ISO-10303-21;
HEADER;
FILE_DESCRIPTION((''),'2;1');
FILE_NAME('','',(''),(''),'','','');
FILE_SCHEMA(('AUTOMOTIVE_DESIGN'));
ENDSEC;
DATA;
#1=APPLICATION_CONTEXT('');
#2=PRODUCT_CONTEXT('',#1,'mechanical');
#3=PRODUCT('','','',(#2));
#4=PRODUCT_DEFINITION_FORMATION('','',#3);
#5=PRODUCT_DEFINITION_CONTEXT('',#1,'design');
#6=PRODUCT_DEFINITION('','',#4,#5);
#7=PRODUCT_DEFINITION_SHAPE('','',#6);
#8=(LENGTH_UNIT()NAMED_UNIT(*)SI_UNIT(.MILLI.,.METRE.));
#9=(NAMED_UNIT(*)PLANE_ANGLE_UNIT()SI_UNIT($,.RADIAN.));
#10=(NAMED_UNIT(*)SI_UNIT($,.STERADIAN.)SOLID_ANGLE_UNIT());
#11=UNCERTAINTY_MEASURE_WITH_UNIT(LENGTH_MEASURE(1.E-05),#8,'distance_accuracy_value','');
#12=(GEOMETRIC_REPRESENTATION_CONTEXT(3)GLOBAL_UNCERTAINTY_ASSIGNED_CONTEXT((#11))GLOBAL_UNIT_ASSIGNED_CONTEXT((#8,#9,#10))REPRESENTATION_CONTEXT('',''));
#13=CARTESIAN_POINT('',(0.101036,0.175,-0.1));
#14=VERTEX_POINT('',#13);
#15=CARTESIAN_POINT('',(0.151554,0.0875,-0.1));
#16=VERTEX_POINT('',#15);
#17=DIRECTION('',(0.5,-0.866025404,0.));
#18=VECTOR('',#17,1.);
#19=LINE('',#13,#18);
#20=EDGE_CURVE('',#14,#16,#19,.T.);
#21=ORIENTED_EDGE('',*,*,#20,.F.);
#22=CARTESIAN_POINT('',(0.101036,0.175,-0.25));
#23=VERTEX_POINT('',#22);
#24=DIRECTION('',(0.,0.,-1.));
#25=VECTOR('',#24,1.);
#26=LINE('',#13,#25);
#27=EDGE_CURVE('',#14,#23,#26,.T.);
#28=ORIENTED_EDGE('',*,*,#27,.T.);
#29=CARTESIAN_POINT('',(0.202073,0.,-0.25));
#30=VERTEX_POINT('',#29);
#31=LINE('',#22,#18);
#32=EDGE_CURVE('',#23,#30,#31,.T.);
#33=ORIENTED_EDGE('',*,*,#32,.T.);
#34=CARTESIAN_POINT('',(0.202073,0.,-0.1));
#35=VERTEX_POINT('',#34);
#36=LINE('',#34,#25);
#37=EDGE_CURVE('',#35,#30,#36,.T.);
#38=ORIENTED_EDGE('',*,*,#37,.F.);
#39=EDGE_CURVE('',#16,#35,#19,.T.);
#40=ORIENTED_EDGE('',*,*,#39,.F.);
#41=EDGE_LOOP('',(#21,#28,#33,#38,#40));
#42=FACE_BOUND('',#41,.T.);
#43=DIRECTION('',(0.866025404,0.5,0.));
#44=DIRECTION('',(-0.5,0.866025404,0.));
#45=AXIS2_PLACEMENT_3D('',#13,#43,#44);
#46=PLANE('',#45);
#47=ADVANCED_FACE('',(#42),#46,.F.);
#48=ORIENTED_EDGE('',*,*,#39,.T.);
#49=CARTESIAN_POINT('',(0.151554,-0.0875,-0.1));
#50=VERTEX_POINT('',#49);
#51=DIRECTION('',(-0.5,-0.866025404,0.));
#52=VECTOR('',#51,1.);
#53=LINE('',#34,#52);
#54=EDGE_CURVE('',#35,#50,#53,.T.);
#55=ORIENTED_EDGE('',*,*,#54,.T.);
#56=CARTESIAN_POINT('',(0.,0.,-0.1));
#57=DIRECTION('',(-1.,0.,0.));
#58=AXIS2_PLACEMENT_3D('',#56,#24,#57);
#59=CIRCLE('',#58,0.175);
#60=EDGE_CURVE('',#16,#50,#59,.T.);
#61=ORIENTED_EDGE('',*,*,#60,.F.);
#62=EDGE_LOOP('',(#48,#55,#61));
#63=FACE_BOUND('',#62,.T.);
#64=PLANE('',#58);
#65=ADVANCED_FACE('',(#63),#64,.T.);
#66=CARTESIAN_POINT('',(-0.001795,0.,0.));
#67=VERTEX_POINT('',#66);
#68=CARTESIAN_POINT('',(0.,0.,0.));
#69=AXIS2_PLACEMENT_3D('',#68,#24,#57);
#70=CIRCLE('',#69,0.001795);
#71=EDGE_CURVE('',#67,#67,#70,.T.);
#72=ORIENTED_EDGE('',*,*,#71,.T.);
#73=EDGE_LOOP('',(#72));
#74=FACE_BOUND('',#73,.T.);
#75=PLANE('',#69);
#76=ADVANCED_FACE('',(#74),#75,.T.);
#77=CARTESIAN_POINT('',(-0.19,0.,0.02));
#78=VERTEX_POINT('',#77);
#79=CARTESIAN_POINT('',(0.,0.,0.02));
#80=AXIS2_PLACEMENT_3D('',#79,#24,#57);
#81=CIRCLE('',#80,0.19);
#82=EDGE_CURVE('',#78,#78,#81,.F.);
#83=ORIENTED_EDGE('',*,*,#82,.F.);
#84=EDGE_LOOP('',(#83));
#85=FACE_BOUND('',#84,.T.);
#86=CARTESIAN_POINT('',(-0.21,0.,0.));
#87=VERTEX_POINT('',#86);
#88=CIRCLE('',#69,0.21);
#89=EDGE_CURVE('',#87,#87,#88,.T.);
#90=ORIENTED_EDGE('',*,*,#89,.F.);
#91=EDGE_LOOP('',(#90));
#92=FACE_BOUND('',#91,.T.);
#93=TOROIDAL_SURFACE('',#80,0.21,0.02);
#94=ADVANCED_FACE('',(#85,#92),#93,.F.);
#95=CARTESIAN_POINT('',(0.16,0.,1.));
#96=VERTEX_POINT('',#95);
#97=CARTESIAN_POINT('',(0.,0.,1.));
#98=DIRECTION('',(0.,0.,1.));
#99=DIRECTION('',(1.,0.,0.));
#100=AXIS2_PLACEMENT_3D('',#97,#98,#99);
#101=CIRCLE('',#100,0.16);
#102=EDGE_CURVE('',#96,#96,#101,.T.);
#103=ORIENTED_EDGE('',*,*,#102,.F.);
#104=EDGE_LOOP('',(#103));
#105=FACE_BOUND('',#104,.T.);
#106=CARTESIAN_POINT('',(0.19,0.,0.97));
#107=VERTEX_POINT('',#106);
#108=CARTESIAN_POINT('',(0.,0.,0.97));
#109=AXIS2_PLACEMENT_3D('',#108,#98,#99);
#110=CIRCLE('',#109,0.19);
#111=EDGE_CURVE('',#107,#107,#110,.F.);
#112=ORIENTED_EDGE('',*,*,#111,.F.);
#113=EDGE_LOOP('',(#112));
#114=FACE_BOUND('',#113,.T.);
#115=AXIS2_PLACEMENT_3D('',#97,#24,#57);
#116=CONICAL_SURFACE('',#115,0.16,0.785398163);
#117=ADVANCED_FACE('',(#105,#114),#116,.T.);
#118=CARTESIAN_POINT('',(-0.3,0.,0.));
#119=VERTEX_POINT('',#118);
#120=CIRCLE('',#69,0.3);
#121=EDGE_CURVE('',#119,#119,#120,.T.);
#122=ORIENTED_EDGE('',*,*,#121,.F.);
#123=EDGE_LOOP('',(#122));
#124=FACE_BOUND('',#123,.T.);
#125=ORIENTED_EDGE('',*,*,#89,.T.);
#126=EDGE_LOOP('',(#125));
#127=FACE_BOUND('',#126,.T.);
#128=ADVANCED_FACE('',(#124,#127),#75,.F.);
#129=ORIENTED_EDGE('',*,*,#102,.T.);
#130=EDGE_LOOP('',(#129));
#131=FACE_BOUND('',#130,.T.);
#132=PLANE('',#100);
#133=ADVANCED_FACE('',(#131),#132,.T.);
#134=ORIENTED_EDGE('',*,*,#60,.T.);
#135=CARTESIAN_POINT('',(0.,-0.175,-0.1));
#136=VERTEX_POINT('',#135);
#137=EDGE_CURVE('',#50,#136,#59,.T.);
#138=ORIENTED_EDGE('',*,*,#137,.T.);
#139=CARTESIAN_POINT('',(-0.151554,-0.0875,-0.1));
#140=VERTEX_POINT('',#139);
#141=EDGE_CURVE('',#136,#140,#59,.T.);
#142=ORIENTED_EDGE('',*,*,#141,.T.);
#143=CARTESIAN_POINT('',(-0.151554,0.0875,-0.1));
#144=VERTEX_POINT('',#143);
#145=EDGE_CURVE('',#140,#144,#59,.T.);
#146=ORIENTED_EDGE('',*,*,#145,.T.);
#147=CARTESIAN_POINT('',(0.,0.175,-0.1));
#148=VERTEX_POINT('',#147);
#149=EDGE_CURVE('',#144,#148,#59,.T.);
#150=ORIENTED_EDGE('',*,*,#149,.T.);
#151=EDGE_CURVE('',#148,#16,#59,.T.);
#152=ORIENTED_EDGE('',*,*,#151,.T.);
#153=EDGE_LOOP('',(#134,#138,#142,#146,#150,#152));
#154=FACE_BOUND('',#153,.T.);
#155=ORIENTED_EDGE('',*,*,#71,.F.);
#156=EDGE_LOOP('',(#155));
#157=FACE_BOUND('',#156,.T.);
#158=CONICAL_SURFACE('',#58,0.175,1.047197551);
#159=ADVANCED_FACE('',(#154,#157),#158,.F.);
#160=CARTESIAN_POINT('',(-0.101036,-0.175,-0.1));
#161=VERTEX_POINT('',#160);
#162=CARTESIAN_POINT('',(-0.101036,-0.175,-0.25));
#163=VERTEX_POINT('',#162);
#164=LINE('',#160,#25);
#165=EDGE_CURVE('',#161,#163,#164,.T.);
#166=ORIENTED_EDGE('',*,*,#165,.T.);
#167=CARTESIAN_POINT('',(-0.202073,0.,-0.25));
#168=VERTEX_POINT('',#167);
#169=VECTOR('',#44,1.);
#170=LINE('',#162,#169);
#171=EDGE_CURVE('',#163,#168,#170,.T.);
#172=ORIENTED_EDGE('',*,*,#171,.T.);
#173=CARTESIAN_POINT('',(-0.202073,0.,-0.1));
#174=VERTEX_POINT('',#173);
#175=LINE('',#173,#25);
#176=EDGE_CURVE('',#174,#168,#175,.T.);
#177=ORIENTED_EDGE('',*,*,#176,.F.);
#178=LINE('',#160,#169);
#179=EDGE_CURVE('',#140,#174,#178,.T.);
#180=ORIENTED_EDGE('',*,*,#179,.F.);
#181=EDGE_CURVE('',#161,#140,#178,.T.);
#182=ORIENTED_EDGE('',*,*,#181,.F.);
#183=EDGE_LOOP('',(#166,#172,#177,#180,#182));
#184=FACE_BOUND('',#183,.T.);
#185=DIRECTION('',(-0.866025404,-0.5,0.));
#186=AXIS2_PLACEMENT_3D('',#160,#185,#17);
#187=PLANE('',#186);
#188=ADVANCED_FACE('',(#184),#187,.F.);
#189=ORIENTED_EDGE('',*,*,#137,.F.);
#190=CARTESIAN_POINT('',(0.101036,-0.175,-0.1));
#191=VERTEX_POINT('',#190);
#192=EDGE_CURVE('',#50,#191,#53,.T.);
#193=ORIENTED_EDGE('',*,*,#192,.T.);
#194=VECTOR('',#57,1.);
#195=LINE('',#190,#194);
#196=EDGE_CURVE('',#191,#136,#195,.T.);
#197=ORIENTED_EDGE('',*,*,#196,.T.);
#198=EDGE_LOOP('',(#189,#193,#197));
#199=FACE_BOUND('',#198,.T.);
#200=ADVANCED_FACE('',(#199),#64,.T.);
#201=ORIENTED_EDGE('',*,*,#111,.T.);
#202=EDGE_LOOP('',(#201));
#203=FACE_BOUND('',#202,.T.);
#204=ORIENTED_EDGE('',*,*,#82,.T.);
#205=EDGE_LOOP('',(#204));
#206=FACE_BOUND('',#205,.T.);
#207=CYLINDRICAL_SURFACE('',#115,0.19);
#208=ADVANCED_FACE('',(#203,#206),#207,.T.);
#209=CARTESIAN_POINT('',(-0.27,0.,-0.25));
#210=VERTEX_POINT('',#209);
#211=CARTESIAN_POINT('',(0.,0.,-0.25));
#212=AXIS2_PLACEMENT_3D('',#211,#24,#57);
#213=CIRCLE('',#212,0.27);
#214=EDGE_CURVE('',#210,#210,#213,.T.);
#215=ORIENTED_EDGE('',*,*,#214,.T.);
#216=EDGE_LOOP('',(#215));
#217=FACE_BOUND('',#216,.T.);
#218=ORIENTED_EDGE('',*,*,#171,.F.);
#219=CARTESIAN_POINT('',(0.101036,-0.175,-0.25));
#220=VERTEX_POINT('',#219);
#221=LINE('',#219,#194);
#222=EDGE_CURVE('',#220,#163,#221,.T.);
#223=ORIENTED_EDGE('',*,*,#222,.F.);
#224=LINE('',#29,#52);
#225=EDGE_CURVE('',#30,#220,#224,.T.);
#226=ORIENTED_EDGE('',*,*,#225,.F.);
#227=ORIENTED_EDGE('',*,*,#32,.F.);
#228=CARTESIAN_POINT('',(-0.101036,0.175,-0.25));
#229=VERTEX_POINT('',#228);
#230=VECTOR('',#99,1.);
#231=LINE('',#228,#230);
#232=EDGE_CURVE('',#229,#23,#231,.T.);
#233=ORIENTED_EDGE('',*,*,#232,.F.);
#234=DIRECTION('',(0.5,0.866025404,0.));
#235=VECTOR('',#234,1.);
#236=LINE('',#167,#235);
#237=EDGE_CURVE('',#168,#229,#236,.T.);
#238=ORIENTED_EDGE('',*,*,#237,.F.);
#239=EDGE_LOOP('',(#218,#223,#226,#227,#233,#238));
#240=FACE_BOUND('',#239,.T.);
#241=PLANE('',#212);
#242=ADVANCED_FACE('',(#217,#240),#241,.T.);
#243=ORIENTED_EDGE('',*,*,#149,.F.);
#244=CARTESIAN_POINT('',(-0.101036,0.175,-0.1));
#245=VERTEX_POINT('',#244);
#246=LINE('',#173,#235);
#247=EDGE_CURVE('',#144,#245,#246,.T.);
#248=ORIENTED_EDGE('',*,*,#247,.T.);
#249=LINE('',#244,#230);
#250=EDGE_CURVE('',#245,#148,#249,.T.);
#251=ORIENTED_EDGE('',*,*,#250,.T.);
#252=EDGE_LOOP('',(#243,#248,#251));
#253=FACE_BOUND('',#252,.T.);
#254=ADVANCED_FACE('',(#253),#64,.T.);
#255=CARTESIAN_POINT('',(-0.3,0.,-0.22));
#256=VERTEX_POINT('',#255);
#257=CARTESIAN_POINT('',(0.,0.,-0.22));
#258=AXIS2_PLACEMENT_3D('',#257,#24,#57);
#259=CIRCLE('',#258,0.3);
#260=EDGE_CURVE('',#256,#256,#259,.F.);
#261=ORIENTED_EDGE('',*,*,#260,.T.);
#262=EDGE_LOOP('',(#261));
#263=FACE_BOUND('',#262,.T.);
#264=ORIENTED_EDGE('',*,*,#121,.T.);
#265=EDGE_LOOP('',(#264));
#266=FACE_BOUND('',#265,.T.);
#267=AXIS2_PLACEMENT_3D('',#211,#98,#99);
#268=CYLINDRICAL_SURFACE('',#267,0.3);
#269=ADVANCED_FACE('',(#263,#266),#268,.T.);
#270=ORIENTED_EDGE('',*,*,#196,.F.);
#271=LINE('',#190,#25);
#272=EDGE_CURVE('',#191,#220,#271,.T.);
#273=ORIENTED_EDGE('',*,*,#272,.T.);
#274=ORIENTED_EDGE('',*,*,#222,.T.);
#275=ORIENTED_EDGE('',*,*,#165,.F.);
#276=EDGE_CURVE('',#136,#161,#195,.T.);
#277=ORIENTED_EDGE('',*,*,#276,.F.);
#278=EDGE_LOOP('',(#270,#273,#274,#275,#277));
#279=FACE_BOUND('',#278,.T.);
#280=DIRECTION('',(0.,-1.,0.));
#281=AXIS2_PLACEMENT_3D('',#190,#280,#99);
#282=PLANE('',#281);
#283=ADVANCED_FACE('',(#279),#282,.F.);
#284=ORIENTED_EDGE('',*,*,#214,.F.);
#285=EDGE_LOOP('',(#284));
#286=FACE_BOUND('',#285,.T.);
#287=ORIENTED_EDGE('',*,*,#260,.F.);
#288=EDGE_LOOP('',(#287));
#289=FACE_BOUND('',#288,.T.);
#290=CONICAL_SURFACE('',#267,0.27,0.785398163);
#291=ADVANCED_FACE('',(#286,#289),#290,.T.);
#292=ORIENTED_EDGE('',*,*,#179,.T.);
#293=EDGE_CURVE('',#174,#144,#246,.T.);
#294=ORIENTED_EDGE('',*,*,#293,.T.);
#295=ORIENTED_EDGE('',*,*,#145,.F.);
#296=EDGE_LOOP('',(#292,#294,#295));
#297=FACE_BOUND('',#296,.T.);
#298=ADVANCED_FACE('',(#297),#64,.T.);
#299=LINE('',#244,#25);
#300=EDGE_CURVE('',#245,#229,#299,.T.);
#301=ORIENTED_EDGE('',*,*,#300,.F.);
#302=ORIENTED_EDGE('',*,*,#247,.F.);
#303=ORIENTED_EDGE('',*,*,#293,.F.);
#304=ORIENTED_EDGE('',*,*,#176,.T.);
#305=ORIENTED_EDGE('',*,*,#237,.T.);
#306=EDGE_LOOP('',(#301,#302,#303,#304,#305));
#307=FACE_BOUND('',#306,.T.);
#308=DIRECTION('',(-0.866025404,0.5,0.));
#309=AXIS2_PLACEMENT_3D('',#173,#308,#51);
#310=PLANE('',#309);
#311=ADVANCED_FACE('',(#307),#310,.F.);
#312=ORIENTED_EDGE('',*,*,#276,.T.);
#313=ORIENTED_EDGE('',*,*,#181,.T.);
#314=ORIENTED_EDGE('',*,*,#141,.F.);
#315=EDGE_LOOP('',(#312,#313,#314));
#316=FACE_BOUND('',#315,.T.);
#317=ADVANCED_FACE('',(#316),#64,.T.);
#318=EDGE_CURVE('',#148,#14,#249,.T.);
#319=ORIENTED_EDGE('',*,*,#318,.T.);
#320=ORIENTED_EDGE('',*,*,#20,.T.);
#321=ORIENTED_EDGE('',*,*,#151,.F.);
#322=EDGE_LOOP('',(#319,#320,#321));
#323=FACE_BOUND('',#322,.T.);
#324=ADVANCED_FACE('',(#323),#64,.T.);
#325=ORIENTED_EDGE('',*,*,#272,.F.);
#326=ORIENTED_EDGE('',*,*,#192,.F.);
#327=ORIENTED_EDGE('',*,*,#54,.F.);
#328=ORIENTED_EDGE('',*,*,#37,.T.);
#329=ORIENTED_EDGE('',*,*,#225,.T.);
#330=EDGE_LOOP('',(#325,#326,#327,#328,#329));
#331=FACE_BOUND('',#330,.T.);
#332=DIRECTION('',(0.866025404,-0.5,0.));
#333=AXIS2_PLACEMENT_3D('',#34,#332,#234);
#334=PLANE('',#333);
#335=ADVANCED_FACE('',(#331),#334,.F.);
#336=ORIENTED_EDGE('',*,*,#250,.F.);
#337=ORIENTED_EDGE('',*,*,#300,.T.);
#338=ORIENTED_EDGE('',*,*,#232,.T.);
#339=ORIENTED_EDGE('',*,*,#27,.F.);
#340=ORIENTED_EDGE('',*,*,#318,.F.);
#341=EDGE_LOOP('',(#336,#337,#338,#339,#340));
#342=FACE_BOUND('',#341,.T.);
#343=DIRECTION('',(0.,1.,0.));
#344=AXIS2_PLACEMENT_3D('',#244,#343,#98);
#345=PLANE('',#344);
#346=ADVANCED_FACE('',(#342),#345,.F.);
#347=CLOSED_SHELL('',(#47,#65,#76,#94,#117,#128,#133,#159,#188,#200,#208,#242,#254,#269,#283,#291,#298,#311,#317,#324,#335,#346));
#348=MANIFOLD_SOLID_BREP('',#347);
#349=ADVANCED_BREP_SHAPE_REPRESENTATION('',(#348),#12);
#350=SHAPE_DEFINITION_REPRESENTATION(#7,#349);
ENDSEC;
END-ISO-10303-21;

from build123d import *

# Parameters (mm, degrees)
SKETCH1_R           = 0.19
BOSS_EXTRUDE1_DEPTH = 1
SKETCH2_R           = 0.3
BOSS_EXTRUDE2_DEPTH = 0.25
CHAMFER1_SIZE       = 0.03
FILLET1_R           = 0.02
CUT_EXTRUDE1_DEPTH  = 0.15
SKETCH4_R           = 0.175
CUT_EXTRUDE2_DEPTH  = 0.1
CUT_EXTRUDE2_TAPER  = 60


with BuildPart() as part:
    # Sketch1 → Boss-Extrude1 (new body)
    with BuildSketch(Plane.XY):
        Circle(SKETCH1_R)
    extrude(amount=BOSS_EXTRUDE1_DEPTH)

    # Sketch2 → Boss-Extrude2 (add)
    with BuildSketch(Plane(origin=(0, 0, 0), x_dir=(-1, 0, 0), z_dir=(0, 0, -1))):
        Circle(SKETCH2_R)
    extrude(amount=BOSS_EXTRUDE2_DEPTH)

    # Chamfer1
    chamfer1_edges = [part.edges().sort_by_distance(p)[0] for p in [
        (-0.19, 0, 1),
        (0.3, 0, -0.25),
    ]]
    chamfer(chamfer1_edges, length=CHAMFER1_SIZE)

    # Fillet1
    fillet1_edges = [part.edges().sort_by_distance(p)[0] for p in [
        (-0.19, 0, 0),
    ]]
    fillet(fillet1_edges, radius=FILLET1_R)

    # Sketch3 → Cut-Extrude1 (cut)
    with BuildSketch(Plane(origin=(0, 0, -0.25), x_dir=(-1, 0, 0), z_dir=(0, 0, -1))):
        Polygon((0.202072594, 0), (0.101036297, 0.175), (-0.101036297, 0.175), (-0.202072594, 0), (-0.101036297, -0.175), (0.101036297, -0.175), align=None)
    extrude(amount=-CUT_EXTRUDE1_DEPTH, mode=Mode.SUBTRACT)

    # Sketch4 → Cut-Extrude2 (cut)
    with BuildSketch(Plane(origin=(0, 0, -0.1), x_dir=(-1, 0, 0), z_dir=(0, 0, -1))):
        Circle(SKETCH4_R)
    extrude(amount=-CUT_EXTRUDE2_DEPTH, taper=CUT_EXTRUDE2_TAPER, mode=Mode.SUBTRACT)


solid = part.part
